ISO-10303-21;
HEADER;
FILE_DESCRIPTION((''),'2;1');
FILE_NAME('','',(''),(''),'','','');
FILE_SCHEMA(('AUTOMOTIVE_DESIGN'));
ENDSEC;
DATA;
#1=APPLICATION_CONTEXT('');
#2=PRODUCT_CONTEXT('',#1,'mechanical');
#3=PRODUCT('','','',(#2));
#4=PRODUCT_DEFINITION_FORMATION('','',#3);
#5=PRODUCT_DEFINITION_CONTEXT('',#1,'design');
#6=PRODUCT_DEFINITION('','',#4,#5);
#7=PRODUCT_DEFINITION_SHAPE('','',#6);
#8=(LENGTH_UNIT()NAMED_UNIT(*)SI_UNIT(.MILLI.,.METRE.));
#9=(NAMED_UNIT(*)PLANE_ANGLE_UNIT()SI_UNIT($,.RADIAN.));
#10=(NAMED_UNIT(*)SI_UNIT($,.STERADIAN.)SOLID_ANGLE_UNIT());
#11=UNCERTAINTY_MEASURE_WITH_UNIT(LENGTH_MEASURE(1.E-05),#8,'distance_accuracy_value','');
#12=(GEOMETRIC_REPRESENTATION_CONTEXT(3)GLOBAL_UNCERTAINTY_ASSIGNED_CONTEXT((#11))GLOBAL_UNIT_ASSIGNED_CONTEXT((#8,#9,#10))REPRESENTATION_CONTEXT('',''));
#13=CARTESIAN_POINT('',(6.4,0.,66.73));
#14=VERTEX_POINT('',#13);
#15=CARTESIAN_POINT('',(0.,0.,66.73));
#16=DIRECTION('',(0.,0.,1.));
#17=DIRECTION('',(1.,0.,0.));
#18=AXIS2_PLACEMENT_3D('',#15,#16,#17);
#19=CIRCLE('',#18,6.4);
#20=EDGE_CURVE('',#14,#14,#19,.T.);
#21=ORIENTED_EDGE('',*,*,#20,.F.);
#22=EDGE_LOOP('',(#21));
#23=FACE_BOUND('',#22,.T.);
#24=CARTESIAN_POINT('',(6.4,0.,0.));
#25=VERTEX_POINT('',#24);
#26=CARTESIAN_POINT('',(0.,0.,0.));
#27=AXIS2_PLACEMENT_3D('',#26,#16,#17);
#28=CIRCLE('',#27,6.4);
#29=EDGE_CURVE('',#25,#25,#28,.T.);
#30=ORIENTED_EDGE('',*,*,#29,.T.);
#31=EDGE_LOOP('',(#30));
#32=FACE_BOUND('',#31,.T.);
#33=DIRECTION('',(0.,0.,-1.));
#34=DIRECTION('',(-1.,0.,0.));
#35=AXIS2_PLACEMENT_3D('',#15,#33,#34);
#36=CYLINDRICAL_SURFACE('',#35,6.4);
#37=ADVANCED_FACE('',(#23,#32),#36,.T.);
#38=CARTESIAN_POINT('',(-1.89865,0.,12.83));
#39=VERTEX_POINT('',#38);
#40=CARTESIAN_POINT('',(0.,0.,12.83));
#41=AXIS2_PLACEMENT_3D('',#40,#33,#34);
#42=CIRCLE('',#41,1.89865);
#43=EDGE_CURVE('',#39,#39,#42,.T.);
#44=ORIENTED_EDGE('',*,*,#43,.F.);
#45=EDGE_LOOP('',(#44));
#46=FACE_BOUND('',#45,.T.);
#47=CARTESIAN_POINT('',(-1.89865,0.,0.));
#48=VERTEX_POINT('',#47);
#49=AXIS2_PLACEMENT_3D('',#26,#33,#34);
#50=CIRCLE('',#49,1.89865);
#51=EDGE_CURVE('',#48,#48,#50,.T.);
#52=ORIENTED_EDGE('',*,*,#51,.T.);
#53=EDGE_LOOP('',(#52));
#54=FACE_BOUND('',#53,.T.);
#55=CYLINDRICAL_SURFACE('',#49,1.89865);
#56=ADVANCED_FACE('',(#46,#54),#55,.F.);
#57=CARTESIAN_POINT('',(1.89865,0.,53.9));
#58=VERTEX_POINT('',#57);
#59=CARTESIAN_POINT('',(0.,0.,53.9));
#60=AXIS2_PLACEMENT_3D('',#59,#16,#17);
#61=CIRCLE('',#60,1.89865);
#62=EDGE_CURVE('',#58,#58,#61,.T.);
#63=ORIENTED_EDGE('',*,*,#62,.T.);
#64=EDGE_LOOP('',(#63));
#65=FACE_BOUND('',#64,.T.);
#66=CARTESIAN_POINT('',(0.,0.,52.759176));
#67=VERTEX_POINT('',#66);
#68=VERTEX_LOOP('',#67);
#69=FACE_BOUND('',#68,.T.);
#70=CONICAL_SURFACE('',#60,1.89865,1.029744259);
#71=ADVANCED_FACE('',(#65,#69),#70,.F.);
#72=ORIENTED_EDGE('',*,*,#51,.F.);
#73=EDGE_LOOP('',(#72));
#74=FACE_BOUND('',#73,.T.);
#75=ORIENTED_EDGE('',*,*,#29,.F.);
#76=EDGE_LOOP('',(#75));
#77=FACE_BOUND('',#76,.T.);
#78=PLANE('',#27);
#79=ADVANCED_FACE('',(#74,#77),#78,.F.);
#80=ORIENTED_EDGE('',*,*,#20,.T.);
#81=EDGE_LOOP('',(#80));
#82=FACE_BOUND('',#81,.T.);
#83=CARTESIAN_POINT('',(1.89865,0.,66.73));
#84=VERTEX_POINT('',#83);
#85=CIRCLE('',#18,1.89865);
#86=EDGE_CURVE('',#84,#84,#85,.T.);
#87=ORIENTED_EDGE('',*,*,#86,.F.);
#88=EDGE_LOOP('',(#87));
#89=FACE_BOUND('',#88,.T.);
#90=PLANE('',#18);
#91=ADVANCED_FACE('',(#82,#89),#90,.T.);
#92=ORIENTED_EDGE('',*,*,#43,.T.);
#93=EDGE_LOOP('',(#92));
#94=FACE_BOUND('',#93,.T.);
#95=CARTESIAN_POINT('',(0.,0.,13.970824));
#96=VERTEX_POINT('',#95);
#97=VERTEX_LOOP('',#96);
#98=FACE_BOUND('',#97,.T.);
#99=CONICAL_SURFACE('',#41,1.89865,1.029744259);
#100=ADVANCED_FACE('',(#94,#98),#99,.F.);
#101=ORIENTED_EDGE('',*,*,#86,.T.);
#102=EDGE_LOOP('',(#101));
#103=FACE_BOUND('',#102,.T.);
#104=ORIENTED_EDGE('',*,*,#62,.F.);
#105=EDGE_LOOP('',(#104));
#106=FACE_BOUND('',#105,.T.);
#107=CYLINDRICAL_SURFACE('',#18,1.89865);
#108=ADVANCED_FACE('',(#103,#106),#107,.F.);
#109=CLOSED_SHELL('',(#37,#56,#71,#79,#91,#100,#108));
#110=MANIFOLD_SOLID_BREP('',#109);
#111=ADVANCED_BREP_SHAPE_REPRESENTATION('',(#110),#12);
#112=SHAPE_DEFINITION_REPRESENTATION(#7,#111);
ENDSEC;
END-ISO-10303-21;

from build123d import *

# Parameters (mm, degrees)
SKETCH1_R                  = 6.4
BOSS_EXTRUDE1_DEPTH        = 66.73
F_10_24_TAPPED_HOLE1_D     = 3.7973
F_10_24_TAPPED_HOLE1_DEPTH = 12.83
F_10_24_TAPPED_HOLE1_TIP   = 1.140824014
F_10_24_TAPPED_HOLE2_D     = 3.7973
F_10_24_TAPPED_HOLE2_DEPTH = 12.83
F_10_24_TAPPED_HOLE2_TIP   = 1.140824014


with BuildPart() as part:
    # Sketch1 → Boss-Extrude1 (new body)
    with BuildSketch(Plane.XY):
        Circle(SKETCH1_R)
    extrude(amount=BOSS_EXTRUDE1_DEPTH)

    # #10-24 Tapped Hole1
    with Locations(Plane(origin=(0, 0, 0), x_dir=(-1, 0, 0), z_dir=(0, 0, -1))):
        with Locations((0, 0)):
            Hole(F_10_24_TAPPED_HOLE1_D / 2, depth=F_10_24_TAPPED_HOLE1_DEPTH)
            with Locations((0, 0, -(F_10_24_TAPPED_HOLE1_DEPTH + F_10_24_TAPPED_HOLE1_TIP / 2))):  # 118° drill point
                Cone(0, F_10_24_TAPPED_HOLE1_D / 2, F_10_24_TAPPED_HOLE1_TIP, mode=Mode.SUBTRACT)

    # #10-24 Tapped Hole2
    with Locations(Plane.XY.offset(66.73)):
        with Locations((0, 0)):
            Hole(F_10_24_TAPPED_HOLE2_D / 2, depth=F_10_24_TAPPED_HOLE2_DEPTH)
            with Locations((0, 0, -(F_10_24_TAPPED_HOLE2_DEPTH + F_10_24_TAPPED_HOLE2_TIP / 2))):  # 118° drill point
                Cone(0, F_10_24_TAPPED_HOLE2_D / 2, F_10_24_TAPPED_HOLE2_TIP, mode=Mode.SUBTRACT)


solid = part.part
